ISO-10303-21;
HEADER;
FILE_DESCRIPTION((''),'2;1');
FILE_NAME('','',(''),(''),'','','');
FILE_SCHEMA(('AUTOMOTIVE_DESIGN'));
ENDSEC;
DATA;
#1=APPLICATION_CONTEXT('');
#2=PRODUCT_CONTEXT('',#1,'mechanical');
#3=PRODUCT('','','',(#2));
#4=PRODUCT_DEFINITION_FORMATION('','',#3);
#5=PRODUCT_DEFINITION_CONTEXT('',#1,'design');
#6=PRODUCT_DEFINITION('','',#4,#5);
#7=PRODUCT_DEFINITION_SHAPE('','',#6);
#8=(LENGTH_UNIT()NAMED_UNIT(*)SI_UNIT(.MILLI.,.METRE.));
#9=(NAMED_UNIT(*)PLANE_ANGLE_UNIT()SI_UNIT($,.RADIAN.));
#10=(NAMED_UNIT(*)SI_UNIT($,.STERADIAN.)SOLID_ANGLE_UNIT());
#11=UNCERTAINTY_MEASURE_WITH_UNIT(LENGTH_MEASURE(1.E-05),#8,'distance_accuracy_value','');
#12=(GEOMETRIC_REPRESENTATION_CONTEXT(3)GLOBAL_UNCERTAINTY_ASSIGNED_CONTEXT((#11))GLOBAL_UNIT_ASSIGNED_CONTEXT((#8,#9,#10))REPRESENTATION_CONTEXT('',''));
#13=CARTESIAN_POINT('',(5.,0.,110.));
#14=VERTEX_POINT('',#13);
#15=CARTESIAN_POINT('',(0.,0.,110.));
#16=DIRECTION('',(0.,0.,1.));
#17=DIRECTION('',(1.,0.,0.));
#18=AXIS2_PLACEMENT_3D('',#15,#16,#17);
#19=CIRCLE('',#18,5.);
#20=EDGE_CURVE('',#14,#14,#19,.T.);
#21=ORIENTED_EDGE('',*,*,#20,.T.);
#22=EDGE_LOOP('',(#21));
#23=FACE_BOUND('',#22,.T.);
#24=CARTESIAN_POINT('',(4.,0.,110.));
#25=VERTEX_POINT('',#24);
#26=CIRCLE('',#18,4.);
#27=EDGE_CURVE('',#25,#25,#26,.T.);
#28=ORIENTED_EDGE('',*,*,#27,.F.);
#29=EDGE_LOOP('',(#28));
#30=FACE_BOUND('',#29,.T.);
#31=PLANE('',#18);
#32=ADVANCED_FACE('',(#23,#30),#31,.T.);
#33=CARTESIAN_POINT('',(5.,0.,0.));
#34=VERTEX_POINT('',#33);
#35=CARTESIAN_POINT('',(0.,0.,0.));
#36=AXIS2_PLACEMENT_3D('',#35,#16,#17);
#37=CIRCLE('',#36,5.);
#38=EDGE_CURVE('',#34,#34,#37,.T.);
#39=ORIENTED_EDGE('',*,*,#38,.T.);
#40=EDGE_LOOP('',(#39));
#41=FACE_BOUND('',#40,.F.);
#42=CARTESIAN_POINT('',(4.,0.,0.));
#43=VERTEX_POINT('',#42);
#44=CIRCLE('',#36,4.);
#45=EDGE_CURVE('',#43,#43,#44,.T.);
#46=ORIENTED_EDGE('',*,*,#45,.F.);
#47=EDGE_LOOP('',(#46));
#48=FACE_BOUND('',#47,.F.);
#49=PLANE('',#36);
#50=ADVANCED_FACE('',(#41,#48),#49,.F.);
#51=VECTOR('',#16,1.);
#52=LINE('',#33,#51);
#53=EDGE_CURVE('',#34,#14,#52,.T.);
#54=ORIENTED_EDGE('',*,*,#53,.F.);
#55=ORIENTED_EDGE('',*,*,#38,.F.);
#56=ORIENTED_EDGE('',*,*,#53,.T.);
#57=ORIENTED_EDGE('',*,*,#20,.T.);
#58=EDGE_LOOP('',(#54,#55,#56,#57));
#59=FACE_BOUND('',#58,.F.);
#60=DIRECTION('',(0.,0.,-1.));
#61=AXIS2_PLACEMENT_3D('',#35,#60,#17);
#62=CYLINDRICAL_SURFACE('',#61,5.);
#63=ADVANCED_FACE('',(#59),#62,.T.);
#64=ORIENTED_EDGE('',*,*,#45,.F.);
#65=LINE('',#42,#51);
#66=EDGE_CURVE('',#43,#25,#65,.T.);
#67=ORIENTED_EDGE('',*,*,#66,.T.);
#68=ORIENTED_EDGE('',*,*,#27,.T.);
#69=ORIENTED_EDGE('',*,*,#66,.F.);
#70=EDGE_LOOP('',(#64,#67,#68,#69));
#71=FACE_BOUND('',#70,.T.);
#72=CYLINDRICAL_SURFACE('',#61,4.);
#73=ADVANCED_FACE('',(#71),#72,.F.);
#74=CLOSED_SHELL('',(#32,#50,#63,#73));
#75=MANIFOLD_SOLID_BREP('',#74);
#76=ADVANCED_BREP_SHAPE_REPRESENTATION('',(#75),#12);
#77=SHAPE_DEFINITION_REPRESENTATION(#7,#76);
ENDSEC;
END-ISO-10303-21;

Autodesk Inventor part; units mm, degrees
ref_plane "YZ Plane" through (0, 0, 0) normal (1, 0, 0) x (0, 1, 0)
ref_plane "XZ Plane" through (0, 0, 0) normal (0, 1, 0) x (-1, 0, 0)
ref_plane "XY Plane" through (0, 0, 0) normal (0, 0, 1) x (1, 0, 0)
sketch "Sketch1" plane through (0, 0, 0) normal (0, 0, 1) x (1, 0, 0)
  circle A0 centre (0, 0) radius 4
  circle A1 centre (0, 0) radius 5
  dimension "d0" = 8
  dimension "d1" = 10
extrude "Extrusion1" add sketch "Sketch1" along normal blind 110
properties part number "short_carbon_fiber"
